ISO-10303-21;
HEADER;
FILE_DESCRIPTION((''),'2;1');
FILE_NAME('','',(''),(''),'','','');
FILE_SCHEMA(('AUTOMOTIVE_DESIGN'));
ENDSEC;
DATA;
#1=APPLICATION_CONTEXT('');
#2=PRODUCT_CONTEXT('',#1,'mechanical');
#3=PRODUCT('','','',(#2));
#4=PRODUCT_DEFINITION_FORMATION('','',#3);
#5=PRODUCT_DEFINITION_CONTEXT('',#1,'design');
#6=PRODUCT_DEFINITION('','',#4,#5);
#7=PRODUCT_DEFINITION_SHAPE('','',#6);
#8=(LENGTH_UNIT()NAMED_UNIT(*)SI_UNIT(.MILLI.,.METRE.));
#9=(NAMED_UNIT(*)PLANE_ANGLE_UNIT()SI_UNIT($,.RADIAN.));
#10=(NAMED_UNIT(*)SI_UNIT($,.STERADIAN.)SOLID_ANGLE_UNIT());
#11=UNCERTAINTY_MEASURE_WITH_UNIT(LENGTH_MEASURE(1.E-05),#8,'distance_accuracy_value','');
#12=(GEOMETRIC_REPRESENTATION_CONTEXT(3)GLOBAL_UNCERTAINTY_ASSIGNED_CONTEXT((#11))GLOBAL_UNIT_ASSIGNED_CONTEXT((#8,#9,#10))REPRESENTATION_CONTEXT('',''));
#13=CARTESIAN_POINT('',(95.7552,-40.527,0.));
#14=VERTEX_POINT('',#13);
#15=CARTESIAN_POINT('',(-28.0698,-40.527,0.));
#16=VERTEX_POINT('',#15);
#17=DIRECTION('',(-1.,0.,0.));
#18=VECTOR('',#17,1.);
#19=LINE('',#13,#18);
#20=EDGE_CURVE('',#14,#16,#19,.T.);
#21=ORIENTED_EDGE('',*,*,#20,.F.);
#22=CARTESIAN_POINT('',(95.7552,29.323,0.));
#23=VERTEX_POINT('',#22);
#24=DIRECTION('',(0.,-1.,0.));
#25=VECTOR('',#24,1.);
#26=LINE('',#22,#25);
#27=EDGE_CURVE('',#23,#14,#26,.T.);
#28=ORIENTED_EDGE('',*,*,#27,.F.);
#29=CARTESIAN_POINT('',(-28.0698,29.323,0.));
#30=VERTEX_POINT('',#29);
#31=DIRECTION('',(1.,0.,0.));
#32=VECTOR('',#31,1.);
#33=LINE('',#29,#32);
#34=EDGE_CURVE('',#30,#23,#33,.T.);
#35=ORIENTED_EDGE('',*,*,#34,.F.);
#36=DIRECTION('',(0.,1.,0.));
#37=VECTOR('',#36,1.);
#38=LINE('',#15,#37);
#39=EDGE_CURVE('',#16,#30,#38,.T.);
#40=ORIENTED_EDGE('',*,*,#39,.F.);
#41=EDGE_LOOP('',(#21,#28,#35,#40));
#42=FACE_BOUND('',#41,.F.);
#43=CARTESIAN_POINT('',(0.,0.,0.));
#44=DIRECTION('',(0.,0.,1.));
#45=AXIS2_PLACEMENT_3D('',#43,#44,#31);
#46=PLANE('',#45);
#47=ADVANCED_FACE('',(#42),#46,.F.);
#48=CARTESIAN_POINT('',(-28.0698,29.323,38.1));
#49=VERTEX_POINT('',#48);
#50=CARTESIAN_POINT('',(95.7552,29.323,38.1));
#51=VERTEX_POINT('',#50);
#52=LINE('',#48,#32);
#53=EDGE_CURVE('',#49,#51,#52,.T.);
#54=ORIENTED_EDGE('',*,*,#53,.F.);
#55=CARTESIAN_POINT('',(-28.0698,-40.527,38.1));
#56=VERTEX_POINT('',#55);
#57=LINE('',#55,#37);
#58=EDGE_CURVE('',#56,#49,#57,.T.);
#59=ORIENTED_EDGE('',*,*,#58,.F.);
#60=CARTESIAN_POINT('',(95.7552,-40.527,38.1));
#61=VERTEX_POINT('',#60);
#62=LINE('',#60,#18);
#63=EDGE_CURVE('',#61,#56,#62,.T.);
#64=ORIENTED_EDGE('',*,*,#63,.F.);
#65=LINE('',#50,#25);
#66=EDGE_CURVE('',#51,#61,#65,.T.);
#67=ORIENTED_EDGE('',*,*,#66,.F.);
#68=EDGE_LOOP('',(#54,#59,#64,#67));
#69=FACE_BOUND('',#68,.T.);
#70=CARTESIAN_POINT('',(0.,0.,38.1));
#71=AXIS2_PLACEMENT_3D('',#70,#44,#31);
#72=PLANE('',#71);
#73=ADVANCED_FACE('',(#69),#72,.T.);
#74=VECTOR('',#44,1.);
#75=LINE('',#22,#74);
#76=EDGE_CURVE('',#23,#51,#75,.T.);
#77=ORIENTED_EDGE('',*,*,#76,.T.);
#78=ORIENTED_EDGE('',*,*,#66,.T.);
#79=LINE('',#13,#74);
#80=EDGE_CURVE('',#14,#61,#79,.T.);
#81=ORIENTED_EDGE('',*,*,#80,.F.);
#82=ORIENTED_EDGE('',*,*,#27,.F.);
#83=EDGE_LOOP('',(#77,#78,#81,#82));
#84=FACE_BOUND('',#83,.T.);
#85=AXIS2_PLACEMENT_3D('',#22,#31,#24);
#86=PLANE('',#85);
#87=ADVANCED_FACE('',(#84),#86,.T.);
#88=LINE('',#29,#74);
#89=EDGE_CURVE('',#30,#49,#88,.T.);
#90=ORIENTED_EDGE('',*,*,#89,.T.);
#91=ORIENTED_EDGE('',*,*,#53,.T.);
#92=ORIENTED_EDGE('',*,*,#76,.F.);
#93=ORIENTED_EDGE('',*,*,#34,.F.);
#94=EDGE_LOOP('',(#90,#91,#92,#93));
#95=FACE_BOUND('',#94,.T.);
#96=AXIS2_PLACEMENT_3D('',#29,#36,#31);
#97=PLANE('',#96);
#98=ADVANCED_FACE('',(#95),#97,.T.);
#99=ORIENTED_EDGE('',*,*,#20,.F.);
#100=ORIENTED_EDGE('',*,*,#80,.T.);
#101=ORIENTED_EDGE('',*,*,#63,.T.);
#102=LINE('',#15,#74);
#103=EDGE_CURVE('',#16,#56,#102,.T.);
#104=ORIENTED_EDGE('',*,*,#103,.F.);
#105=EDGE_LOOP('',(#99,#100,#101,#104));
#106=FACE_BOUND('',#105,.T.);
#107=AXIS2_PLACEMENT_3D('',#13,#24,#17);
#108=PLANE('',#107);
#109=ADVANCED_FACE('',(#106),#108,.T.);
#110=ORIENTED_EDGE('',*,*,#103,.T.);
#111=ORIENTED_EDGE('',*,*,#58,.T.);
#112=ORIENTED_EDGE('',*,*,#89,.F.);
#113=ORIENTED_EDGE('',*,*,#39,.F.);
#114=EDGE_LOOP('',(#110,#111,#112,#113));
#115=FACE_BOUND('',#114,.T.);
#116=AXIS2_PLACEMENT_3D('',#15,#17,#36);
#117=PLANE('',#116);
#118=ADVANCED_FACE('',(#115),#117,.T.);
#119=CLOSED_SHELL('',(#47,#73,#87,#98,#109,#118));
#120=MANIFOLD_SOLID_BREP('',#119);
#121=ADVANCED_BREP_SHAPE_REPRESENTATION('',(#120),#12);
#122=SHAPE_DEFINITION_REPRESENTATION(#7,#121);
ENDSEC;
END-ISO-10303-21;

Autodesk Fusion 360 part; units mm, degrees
sketch "Sketch1" plane through (0, 0, 0) normal (0, 0, 1) x (1, 0, 0)
  line L0 (-28.0698, 29.323) -> (95.7552, 29.323)
  line L1 (95.7552, 29.323) -> (95.7552, -40.527)
  line L2 (95.7552, -40.527) -> (-28.0698, -40.527)
  line L3 (-28.0698, -40.527) -> (-28.0698, 29.323)
  dimension "d1" = 123.825
  dimension "d2" = 69.85
extrude "Extrude1" add sketch "Sketch1" along normal blind 38.1
